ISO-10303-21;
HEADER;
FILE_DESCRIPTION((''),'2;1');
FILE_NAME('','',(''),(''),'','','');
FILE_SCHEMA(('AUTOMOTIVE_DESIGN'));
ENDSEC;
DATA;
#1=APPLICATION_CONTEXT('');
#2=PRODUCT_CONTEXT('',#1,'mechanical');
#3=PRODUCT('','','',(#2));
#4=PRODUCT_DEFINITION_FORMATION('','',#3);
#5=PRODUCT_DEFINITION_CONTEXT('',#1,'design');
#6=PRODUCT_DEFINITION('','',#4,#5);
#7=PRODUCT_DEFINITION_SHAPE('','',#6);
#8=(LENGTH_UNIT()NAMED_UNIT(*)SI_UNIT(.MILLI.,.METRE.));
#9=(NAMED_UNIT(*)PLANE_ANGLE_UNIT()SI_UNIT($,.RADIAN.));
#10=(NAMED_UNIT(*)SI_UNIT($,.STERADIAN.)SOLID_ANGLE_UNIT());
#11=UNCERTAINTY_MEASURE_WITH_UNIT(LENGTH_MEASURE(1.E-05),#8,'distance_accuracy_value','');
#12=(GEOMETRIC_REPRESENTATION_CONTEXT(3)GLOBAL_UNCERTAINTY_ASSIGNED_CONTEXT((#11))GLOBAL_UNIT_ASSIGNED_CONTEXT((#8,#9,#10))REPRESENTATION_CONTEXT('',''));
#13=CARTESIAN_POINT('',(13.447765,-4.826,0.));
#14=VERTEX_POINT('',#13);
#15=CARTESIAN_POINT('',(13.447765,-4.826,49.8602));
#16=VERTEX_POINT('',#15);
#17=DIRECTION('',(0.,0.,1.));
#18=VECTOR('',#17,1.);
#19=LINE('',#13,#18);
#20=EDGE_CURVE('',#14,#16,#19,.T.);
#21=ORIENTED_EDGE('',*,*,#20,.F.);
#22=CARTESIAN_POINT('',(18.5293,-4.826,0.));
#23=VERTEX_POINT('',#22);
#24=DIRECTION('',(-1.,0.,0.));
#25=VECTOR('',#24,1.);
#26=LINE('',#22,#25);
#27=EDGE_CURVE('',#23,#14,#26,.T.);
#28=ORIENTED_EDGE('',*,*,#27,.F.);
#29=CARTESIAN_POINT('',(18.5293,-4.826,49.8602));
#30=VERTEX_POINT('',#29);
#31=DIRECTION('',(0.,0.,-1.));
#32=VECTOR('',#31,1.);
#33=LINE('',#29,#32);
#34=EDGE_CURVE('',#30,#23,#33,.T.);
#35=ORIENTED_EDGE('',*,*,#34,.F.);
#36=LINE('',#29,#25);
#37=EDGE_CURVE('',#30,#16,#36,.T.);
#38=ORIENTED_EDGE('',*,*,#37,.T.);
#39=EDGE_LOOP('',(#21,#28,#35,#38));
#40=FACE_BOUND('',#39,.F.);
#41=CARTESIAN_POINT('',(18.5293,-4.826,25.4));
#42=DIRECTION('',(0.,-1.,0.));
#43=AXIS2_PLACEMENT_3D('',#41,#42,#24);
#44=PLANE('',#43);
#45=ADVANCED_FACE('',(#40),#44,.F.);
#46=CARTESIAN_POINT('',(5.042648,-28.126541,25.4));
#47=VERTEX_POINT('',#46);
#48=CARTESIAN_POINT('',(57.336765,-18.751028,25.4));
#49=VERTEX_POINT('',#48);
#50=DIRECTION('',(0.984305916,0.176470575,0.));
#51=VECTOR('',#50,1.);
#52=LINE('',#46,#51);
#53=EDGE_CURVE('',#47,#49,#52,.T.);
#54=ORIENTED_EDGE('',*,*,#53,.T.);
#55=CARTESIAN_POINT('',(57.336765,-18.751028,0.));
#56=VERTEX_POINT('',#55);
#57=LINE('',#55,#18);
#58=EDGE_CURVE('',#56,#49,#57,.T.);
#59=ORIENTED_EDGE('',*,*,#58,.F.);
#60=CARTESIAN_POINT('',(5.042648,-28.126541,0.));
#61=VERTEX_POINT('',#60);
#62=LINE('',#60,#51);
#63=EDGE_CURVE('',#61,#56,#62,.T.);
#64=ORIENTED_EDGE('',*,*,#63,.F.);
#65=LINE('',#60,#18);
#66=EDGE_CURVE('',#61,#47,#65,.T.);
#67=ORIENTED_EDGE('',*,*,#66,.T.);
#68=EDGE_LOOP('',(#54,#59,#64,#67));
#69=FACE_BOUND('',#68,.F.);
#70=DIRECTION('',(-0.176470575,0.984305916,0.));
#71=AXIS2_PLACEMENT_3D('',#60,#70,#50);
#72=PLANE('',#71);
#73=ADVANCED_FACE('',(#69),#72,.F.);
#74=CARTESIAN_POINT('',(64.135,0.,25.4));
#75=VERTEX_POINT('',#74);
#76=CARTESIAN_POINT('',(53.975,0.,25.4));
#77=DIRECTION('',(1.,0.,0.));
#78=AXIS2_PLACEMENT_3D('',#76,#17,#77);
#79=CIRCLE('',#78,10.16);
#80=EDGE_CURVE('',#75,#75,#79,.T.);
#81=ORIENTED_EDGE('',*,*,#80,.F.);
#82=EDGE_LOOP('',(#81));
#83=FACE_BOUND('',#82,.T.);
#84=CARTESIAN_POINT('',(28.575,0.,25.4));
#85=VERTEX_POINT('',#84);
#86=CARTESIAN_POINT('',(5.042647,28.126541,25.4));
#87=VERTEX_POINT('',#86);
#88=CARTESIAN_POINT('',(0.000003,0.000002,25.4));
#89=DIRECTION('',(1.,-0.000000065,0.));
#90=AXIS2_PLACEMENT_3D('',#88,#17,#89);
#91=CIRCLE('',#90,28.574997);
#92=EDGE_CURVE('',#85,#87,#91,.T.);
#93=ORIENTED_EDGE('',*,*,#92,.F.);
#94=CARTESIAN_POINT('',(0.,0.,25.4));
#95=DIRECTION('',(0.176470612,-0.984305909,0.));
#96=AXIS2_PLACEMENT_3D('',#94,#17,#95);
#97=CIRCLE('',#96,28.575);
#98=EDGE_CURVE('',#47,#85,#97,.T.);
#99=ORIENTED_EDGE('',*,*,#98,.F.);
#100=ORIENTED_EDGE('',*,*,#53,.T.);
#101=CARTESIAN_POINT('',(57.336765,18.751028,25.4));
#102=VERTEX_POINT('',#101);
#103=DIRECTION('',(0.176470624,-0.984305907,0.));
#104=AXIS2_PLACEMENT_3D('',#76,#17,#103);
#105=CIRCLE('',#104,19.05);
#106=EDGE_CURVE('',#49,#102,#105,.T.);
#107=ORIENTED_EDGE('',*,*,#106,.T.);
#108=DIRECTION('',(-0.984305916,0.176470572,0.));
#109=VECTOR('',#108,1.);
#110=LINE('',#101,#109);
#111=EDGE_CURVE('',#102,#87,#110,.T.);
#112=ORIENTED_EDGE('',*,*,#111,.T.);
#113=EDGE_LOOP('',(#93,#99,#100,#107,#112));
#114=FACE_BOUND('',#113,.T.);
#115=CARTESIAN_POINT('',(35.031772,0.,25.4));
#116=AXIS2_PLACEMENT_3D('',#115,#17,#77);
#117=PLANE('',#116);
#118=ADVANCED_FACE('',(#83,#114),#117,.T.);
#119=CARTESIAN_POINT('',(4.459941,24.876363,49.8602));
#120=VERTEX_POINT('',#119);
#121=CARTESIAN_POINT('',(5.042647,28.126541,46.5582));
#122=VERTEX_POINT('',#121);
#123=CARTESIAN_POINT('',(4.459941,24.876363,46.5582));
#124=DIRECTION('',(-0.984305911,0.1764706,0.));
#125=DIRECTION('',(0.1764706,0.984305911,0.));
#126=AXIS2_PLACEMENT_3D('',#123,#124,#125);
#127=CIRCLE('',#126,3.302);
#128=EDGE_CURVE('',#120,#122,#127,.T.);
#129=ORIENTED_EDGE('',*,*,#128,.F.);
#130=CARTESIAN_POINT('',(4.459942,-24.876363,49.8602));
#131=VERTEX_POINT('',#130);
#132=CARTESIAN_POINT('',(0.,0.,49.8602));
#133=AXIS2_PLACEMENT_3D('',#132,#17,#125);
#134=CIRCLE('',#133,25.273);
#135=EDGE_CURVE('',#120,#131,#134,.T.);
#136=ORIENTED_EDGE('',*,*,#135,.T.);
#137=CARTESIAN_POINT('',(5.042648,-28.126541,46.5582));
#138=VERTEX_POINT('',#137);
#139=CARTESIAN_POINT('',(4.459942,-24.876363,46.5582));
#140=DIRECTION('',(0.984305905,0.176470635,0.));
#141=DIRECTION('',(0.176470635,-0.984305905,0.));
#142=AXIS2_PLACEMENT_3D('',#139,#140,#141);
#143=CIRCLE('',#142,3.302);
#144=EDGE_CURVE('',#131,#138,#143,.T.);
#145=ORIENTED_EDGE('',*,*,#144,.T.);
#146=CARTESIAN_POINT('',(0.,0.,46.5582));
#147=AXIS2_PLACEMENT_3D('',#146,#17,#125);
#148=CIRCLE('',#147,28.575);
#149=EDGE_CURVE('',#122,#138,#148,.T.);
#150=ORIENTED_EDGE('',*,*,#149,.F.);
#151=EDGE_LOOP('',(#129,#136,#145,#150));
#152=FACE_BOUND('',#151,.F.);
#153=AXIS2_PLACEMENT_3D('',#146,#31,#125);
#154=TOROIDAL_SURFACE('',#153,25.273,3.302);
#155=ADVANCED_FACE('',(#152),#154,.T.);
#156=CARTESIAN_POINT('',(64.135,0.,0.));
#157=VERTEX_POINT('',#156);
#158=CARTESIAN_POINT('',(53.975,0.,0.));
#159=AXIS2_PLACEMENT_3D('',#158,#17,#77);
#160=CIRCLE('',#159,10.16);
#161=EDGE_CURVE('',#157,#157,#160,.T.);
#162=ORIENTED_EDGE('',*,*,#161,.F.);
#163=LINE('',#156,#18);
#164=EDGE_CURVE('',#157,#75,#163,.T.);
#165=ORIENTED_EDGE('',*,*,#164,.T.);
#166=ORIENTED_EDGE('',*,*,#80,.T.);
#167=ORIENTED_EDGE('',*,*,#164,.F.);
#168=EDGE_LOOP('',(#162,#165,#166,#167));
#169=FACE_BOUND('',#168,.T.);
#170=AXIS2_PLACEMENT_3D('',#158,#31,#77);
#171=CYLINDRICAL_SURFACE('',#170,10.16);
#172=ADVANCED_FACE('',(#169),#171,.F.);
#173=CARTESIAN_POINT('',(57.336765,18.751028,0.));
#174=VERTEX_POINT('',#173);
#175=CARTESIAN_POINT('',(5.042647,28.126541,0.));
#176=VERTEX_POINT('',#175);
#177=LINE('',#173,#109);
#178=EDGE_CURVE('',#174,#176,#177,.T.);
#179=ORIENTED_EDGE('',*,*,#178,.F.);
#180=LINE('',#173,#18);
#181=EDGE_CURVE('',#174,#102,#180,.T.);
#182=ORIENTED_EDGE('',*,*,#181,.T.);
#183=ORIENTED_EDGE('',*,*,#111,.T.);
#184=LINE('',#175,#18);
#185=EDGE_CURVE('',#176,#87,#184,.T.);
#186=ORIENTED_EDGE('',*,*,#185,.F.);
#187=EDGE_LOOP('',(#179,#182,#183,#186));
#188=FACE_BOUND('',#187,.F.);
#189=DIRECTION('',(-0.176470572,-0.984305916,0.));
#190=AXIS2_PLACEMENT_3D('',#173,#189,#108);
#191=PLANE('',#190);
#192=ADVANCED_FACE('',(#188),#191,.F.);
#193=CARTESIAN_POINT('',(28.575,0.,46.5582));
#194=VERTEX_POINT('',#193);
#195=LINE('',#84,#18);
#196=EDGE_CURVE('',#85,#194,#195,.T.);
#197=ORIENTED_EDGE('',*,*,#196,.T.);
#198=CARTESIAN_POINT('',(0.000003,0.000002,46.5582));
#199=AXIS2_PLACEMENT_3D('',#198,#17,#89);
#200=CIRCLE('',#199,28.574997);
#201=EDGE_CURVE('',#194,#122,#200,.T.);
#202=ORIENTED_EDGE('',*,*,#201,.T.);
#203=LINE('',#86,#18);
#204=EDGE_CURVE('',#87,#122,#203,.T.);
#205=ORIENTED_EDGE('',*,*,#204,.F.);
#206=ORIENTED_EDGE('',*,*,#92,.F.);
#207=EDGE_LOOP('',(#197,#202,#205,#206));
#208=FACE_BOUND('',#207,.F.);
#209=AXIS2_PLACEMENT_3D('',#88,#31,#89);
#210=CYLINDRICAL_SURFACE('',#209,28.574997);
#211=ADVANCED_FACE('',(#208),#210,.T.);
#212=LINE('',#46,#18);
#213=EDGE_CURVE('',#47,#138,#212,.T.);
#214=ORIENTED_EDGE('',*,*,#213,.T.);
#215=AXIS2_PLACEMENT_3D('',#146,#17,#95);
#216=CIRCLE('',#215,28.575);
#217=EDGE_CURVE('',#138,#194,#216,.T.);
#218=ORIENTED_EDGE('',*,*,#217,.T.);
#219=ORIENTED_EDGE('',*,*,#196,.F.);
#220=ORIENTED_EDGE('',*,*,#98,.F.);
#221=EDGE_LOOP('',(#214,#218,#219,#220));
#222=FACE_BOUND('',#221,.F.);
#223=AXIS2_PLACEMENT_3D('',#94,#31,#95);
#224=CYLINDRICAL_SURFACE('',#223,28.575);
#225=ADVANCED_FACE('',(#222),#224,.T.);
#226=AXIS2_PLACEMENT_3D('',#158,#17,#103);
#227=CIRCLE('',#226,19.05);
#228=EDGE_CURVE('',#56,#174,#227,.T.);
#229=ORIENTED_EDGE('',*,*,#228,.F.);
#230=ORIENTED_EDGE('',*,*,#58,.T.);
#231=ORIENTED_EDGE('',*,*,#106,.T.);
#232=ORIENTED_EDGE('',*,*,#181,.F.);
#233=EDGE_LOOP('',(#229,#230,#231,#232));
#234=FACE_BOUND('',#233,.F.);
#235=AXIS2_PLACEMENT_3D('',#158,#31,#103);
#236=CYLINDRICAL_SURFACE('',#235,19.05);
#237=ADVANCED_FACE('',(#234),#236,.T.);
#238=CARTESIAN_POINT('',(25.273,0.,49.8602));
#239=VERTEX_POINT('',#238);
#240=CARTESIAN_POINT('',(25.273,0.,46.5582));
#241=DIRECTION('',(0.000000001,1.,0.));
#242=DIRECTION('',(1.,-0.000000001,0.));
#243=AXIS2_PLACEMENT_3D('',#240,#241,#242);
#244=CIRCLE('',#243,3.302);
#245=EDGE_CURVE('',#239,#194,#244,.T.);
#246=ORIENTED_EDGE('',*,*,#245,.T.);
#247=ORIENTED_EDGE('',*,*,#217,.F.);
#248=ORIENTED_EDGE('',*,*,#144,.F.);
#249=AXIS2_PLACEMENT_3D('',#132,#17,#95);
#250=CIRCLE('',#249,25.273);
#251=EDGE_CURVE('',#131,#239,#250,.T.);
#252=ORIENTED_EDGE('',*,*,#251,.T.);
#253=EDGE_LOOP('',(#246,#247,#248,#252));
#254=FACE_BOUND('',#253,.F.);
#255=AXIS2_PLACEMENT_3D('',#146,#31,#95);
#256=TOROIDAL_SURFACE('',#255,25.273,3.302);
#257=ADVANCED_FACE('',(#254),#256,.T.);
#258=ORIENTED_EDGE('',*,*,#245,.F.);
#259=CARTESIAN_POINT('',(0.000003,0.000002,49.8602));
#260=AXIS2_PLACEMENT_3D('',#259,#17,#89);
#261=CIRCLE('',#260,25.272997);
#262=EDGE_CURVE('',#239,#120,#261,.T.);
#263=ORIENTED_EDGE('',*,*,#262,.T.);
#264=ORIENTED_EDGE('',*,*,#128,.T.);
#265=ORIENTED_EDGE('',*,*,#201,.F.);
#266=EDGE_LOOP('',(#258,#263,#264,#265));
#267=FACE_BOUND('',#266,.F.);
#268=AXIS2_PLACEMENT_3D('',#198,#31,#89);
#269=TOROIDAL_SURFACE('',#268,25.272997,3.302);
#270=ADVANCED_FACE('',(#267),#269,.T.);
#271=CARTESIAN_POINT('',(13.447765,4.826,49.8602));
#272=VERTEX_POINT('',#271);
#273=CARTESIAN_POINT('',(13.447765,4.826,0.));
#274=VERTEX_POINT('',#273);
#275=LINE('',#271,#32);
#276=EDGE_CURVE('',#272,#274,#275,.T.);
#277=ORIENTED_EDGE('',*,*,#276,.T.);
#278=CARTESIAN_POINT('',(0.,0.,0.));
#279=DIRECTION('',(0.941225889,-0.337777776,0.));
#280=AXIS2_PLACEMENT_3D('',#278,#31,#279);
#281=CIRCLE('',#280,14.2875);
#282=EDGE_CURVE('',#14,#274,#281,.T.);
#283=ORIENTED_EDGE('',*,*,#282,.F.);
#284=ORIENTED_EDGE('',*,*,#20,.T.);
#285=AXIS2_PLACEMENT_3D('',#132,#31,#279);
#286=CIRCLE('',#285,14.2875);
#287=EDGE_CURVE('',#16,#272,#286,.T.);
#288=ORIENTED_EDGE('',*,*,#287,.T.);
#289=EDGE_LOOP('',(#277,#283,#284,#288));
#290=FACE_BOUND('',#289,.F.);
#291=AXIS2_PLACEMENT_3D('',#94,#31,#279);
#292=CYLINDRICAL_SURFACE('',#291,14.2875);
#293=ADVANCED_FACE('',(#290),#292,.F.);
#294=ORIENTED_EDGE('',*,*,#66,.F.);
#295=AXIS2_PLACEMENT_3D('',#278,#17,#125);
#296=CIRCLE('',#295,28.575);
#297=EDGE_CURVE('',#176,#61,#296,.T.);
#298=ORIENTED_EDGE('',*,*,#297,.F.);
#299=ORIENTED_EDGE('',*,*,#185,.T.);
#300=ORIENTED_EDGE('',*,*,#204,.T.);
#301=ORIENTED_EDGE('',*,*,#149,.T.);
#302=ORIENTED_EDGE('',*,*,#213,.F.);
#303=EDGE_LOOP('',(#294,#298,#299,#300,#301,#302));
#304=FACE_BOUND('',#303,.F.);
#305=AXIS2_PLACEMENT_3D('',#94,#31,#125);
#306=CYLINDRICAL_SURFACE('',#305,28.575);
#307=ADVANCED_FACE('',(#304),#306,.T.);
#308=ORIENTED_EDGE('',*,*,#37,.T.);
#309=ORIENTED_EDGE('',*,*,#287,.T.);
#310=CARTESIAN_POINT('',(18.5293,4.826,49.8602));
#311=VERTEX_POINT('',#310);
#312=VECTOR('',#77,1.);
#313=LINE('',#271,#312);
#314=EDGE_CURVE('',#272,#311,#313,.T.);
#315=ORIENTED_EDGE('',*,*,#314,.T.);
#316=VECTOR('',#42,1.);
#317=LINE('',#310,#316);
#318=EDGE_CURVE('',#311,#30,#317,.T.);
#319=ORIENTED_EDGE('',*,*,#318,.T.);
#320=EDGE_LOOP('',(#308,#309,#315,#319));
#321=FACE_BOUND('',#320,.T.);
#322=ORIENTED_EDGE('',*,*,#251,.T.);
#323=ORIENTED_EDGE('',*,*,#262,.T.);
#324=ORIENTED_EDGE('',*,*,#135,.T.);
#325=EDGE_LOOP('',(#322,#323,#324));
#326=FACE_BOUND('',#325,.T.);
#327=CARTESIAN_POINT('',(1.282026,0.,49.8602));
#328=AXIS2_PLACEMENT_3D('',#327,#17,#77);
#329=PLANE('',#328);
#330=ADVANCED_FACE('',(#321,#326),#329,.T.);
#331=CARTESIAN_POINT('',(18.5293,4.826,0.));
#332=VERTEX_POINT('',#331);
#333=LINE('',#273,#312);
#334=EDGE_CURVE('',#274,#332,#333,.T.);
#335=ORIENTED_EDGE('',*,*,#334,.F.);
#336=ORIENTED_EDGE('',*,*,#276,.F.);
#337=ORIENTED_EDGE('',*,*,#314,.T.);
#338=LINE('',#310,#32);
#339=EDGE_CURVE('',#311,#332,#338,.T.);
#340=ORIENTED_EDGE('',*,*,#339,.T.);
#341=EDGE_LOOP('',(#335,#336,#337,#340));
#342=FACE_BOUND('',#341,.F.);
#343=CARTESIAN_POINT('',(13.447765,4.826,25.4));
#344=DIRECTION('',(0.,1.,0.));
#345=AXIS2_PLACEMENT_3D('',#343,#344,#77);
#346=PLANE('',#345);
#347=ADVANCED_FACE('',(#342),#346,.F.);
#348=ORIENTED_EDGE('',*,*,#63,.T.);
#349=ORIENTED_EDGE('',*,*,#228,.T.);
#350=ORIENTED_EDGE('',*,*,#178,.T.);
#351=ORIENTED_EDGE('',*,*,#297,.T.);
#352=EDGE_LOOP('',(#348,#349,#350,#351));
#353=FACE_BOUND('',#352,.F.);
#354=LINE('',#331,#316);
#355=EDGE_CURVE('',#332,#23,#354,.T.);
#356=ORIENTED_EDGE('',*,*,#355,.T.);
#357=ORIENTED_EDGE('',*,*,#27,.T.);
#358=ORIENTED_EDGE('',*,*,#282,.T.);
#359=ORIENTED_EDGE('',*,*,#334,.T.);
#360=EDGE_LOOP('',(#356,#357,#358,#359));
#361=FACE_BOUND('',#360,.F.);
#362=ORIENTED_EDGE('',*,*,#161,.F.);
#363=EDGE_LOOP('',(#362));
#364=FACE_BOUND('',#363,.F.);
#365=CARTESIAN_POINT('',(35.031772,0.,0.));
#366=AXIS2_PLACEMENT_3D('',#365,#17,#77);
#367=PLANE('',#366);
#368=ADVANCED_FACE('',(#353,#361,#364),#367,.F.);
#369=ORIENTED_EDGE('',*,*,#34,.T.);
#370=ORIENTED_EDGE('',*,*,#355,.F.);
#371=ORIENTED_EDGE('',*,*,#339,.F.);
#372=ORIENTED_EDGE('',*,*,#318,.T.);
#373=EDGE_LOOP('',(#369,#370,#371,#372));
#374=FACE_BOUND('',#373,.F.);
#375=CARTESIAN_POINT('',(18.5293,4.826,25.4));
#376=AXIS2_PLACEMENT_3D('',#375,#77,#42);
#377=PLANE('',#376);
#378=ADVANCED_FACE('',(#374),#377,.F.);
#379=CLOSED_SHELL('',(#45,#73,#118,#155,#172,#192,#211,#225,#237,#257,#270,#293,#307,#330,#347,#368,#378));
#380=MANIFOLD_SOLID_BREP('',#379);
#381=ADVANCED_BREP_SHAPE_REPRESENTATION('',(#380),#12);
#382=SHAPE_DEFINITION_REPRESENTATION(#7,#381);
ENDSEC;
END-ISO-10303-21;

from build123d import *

# Parameters (mm, degrees)
F0_R     = 10.16
F1_DEPTH = 25.4
F3_DEPTH = 24.4602
F4_R     = 3.302


with BuildPart() as f1:
    # F0 (on Top) → F1 (new body)
    with BuildSketch(Plane.XY):
        with BuildLine():
            ThreePointArc((5.042647, 28.126541), (21.916025, 18.336262), (28.575, 0))
            ThreePointArc((28.575, 0), (21.916025, -18.336261), (5.042648, -28.126541))
            Line((5.042648, -28.126541), (57.336765, -18.751028))
            ThreePointArc((57.336765, -18.751028), (73.025, 0), (57.336765, 18.751028))
            Line((57.336765, 18.751028), (5.042647, 28.126541))
        make_face()
        with Locations((53.975, 0)):
            Circle(F0_R, mode=Mode.SUBTRACT)
        with BuildLine():
            ThreePointArc((5.042648, -28.126541), (21.916025, -18.336261), (28.575, 0))
            ThreePointArc((28.575, 0), (21.916025, 18.336262), (5.042647, 28.126541))
            ThreePointArc((5.042647, 28.126541), (-28.575, 0), (5.042648, -28.126541))
        make_face()
        with BuildLine():
            ThreePointArc((13.447765, -4.826), (-14.2875, 0), (13.447765, 4.826))
            Line((13.447765, 4.826), (18.5293, 4.826))
            Line((18.5293, 4.826), (18.5293, 0))
            Line((18.5293, 0), (18.5293, -4.826))
            Line((18.5293, -4.826), (13.447765, -4.826))
        make_face(mode=Mode.SUBTRACT)
    extrude(amount=F1_DEPTH)

    # F2 (on face) → F3 (join)
    with BuildSketch(Plane.XY.offset(25.4)):
        with BuildLine():
            ThreePointArc((5.042648, -28.126541), (21.916025, -18.336261), (28.575, 0))
            ThreePointArc((28.575, 0), (21.916025, 18.336262), (5.042647, 28.126541))
            ThreePointArc((5.042647, 28.126541), (-28.575, 0), (5.042648, -28.126541))
        make_face()
        with BuildLine():
            ThreePointArc((13.447765, -4.826), (-14.2875, 0), (13.447765, 4.826))
            Line((13.447765, 4.826), (18.5293, 4.826))
            Line((18.5293, 4.826), (18.5293, -4.826))
            Line((18.5293, -4.826), (13.447765, -4.826))
        make_face(mode=Mode.SUBTRACT)
    extrude(amount=F3_DEPTH)

    # F4
    f4_edges = [f1.edges().sort_by_distance(p)[0] for p in [
        (-5.042648, 28.126541, 49.8602),
    ]]
    fillet(f4_edges, radius=F4_R)


solid = f1.part
